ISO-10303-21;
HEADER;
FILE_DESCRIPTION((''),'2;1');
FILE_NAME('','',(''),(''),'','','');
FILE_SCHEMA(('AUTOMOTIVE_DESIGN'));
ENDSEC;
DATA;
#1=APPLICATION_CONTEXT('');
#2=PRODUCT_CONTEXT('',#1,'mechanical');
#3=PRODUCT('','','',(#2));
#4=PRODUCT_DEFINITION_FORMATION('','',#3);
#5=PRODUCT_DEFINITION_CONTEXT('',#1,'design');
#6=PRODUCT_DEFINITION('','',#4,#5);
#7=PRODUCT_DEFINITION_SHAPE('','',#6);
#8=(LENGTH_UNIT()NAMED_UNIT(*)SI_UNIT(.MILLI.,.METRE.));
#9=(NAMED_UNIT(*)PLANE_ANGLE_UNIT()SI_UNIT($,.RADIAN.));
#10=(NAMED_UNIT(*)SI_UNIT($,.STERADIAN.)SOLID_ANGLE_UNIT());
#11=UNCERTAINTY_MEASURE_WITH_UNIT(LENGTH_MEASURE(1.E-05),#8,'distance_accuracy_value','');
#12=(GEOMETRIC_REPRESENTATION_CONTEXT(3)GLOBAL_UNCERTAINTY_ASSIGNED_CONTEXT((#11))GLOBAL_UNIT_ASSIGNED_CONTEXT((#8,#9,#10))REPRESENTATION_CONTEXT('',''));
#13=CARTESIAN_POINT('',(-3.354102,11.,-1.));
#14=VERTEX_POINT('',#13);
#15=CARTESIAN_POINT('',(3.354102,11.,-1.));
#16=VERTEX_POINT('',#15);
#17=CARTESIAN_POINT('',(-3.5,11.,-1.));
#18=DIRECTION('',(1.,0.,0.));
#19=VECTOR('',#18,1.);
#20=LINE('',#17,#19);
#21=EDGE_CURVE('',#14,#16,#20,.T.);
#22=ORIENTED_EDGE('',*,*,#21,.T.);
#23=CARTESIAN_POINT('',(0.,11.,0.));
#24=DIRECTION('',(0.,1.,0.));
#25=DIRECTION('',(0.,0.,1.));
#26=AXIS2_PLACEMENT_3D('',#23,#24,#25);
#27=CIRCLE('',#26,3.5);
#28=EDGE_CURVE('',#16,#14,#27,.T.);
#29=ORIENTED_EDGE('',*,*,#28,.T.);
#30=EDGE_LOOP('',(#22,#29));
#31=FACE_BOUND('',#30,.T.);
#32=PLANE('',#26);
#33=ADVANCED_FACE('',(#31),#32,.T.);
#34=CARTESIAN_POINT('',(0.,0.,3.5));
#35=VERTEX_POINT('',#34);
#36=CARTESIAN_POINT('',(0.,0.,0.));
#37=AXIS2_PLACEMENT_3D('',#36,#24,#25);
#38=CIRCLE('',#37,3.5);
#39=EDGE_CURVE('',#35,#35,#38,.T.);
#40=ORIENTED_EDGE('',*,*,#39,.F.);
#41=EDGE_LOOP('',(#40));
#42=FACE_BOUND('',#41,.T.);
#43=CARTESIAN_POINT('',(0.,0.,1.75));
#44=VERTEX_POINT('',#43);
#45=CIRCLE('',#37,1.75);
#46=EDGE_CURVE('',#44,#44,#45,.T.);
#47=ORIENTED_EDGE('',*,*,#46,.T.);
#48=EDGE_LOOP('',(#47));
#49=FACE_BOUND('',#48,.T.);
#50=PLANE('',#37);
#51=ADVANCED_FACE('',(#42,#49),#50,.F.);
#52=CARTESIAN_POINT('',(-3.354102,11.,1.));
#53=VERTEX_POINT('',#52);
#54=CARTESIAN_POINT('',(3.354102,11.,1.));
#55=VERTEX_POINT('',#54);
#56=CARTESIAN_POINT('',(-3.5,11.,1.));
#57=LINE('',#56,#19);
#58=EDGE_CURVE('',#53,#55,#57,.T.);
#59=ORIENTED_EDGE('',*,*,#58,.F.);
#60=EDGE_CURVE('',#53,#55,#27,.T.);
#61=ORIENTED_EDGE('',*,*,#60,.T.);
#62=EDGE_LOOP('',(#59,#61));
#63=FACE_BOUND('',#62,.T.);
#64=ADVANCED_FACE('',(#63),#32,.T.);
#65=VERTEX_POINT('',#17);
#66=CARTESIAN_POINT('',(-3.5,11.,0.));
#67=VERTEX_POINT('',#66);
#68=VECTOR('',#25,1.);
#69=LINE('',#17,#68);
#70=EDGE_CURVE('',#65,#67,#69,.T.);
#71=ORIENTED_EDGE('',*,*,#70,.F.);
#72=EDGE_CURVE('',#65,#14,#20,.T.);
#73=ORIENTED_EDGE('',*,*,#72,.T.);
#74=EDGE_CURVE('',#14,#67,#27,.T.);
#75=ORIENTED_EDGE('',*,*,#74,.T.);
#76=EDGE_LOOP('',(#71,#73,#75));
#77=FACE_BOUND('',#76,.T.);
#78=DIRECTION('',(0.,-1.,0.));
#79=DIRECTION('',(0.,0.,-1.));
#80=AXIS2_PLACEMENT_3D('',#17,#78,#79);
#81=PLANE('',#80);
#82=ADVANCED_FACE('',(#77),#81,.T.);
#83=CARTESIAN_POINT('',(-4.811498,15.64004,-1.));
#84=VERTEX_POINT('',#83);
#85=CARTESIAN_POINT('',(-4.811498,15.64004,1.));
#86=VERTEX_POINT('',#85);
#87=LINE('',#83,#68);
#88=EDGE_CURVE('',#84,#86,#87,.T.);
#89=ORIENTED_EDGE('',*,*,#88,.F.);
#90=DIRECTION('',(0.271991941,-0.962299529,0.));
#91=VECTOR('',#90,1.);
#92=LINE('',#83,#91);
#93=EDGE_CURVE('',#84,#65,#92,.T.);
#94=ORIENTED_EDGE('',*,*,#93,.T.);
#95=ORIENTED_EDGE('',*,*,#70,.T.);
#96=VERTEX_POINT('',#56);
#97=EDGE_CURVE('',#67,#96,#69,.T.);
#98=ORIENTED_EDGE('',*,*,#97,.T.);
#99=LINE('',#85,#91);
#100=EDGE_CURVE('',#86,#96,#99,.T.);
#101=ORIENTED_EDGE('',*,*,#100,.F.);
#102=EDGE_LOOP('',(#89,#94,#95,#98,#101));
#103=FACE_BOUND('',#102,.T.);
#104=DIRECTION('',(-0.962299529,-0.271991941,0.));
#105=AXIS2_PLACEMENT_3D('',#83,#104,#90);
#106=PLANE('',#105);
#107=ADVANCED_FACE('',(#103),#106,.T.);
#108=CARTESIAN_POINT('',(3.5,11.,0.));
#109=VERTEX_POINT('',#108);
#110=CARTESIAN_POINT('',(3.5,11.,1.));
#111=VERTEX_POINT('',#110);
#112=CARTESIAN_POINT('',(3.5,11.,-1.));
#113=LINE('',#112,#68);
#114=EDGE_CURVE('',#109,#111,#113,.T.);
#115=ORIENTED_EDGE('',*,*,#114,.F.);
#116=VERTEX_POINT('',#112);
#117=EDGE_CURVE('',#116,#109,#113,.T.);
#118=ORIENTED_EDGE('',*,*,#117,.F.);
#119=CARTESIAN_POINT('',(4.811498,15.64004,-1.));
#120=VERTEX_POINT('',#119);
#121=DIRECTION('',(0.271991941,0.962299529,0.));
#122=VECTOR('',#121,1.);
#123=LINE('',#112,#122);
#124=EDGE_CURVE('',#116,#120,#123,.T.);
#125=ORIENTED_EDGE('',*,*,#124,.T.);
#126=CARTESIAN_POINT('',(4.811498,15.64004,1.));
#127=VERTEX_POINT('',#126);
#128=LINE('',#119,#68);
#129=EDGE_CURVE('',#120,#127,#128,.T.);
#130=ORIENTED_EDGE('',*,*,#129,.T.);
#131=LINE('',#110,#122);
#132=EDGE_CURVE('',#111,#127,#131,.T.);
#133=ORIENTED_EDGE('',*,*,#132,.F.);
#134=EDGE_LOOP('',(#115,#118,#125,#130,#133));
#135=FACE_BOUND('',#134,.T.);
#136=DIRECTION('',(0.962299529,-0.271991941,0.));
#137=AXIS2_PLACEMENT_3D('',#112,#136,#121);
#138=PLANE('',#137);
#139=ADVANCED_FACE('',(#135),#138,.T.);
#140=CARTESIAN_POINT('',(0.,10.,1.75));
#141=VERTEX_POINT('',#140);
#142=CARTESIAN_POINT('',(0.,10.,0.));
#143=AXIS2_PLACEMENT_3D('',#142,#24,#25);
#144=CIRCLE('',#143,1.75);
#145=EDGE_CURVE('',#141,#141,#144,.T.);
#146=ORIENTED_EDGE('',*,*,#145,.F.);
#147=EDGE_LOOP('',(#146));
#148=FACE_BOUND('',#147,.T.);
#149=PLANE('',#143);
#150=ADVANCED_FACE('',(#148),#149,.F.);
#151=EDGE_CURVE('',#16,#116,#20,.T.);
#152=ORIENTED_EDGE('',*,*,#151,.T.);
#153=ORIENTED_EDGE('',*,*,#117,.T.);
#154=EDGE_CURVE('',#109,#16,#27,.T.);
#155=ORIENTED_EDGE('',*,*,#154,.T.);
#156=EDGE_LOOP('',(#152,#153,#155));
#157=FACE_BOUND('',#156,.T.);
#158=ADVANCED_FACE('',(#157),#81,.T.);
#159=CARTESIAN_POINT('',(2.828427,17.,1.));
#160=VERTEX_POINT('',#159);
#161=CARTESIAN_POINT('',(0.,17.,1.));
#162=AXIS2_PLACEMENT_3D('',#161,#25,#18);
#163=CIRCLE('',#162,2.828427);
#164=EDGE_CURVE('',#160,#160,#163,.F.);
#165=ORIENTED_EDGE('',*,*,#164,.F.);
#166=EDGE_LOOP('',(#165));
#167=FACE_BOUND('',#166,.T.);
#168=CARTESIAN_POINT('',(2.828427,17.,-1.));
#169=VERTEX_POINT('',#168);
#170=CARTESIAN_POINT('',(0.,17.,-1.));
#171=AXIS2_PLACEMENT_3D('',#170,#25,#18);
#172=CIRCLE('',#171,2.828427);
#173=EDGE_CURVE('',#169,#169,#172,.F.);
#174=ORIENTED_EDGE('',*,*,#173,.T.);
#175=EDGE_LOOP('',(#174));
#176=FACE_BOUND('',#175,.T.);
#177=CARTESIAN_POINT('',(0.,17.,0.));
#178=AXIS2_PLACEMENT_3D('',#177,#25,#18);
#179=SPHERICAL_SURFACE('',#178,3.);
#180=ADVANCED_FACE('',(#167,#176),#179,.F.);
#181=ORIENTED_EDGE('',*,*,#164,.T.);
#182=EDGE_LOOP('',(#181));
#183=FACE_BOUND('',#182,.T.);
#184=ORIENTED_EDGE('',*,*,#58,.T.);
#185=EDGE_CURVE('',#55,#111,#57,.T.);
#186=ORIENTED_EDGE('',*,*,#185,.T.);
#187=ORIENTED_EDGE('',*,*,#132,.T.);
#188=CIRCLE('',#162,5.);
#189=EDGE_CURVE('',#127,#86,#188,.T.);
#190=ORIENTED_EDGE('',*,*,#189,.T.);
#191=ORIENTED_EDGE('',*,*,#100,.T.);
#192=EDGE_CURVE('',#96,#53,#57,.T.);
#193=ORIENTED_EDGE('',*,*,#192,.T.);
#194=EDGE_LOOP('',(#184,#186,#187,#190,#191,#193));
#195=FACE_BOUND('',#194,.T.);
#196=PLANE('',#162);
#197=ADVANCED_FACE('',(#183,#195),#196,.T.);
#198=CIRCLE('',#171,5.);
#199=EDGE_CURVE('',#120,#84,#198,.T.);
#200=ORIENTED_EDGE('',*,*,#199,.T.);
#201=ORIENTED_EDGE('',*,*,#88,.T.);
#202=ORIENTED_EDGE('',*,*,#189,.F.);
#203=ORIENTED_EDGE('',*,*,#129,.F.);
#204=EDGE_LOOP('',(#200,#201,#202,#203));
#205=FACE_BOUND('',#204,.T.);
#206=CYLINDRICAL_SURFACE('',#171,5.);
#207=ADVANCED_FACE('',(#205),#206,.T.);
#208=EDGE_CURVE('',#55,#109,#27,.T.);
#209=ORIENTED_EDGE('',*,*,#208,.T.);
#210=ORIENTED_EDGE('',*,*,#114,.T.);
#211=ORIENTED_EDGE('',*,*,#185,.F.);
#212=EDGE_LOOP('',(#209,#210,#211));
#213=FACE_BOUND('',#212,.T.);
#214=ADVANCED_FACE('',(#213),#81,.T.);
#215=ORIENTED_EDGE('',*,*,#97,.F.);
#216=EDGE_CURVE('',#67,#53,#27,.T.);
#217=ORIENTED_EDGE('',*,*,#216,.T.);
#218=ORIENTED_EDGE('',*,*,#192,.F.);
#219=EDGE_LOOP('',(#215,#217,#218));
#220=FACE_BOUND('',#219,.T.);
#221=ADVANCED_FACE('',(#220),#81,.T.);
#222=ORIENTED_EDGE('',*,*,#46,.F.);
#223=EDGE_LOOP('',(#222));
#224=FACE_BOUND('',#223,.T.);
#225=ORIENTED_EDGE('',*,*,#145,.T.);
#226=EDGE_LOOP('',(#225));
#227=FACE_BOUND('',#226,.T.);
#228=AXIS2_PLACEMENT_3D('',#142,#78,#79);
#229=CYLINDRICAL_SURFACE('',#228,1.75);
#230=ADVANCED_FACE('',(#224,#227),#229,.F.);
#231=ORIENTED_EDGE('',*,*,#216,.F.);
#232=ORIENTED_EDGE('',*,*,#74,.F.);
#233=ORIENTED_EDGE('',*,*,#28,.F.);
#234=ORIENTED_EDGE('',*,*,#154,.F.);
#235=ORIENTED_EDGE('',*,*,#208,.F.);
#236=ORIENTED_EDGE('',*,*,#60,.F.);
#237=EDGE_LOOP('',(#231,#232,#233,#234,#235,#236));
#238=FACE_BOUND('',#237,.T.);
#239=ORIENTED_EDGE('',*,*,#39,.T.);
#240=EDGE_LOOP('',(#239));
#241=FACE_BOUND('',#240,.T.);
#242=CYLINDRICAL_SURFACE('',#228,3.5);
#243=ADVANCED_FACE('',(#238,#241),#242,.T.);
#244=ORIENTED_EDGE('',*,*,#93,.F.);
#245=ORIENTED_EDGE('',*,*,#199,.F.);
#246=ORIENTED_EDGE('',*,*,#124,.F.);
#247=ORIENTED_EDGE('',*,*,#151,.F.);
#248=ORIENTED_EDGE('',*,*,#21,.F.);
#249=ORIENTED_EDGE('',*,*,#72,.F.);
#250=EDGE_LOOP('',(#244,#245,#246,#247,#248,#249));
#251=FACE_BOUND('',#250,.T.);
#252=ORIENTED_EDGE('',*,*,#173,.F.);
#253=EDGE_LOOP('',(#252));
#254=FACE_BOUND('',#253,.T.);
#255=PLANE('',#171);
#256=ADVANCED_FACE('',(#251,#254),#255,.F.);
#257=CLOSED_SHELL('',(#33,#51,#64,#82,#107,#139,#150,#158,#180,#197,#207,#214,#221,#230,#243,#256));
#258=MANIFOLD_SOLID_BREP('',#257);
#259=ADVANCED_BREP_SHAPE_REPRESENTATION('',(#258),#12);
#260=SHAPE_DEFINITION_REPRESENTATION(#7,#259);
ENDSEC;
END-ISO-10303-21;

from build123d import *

# Parameters (mm, degrees)
SKETCH1_R                = 3.5
SKETCH1_R_2              = 1.75
BOSS_EXTRUDE1_DEPTH      = 10
SKETCH3_R                = 3.5
BOSS_EXTRUDE2_DEPTH      = 1
BOSS_EXTRUDE3_DEPTH      = 1
BOSS_EXTRUDE3_DEPTH_BACK = 1


with BuildPart() as part:
    # Sketch1 → Boss-Extrude1 (new body)
    with BuildSketch(Plane(origin=(0, 0, 0), x_dir=(1, 0, 0), z_dir=(0, 1, 0))):
        Circle(SKETCH1_R)
        Circle(SKETCH1_R_2, mode=Mode.SUBTRACT)
    extrude(amount=BOSS_EXTRUDE1_DEPTH)

    # Sketch3 → Boss-Extrude2 (add)
    with BuildSketch(Plane(origin=(0, 10, 0), x_dir=(1, 0, 0), z_dir=(0, 1, 0))):
        Circle(SKETCH3_R)
    extrude(amount=BOSS_EXTRUDE2_DEPTH)

    # Sketch2 → Boss-Extrude3 (add, two sides: drawn at the far end of the back side and taken through both)
    with BuildSketch(Plane.XY.offset(-BOSS_EXTRUDE3_DEPTH_BACK)):
        with BuildLine():
            Line((-4.811497646, 15.640040293), (-3.5, 11))
            Line((-3.5, 11), (3.5, 11))
            Line((3.5, 11), (4.811497646, 15.640040293))
            ThreePointArc((4.811497646, 15.640040293), (0, 22), (-4.811497646, 15.640040293))
        make_face()
    extrude(amount=BOSS_EXTRUDE3_DEPTH + BOSS_EXTRUDE3_DEPTH_BACK)

    # Sketch4 → Cut-Revolve1 (revolve, cut)
    with BuildSketch(Plane.XY):
        with BuildLine():
            Line((0, 20), (0, 14))
            ThreePointArc((0, 14), (3, 17), (0, 20))
        make_face()
    revolve(axis=Axis((0, 22, 0), (0, -1, 0)), mode=Mode.SUBTRACT)


solid = part.part
